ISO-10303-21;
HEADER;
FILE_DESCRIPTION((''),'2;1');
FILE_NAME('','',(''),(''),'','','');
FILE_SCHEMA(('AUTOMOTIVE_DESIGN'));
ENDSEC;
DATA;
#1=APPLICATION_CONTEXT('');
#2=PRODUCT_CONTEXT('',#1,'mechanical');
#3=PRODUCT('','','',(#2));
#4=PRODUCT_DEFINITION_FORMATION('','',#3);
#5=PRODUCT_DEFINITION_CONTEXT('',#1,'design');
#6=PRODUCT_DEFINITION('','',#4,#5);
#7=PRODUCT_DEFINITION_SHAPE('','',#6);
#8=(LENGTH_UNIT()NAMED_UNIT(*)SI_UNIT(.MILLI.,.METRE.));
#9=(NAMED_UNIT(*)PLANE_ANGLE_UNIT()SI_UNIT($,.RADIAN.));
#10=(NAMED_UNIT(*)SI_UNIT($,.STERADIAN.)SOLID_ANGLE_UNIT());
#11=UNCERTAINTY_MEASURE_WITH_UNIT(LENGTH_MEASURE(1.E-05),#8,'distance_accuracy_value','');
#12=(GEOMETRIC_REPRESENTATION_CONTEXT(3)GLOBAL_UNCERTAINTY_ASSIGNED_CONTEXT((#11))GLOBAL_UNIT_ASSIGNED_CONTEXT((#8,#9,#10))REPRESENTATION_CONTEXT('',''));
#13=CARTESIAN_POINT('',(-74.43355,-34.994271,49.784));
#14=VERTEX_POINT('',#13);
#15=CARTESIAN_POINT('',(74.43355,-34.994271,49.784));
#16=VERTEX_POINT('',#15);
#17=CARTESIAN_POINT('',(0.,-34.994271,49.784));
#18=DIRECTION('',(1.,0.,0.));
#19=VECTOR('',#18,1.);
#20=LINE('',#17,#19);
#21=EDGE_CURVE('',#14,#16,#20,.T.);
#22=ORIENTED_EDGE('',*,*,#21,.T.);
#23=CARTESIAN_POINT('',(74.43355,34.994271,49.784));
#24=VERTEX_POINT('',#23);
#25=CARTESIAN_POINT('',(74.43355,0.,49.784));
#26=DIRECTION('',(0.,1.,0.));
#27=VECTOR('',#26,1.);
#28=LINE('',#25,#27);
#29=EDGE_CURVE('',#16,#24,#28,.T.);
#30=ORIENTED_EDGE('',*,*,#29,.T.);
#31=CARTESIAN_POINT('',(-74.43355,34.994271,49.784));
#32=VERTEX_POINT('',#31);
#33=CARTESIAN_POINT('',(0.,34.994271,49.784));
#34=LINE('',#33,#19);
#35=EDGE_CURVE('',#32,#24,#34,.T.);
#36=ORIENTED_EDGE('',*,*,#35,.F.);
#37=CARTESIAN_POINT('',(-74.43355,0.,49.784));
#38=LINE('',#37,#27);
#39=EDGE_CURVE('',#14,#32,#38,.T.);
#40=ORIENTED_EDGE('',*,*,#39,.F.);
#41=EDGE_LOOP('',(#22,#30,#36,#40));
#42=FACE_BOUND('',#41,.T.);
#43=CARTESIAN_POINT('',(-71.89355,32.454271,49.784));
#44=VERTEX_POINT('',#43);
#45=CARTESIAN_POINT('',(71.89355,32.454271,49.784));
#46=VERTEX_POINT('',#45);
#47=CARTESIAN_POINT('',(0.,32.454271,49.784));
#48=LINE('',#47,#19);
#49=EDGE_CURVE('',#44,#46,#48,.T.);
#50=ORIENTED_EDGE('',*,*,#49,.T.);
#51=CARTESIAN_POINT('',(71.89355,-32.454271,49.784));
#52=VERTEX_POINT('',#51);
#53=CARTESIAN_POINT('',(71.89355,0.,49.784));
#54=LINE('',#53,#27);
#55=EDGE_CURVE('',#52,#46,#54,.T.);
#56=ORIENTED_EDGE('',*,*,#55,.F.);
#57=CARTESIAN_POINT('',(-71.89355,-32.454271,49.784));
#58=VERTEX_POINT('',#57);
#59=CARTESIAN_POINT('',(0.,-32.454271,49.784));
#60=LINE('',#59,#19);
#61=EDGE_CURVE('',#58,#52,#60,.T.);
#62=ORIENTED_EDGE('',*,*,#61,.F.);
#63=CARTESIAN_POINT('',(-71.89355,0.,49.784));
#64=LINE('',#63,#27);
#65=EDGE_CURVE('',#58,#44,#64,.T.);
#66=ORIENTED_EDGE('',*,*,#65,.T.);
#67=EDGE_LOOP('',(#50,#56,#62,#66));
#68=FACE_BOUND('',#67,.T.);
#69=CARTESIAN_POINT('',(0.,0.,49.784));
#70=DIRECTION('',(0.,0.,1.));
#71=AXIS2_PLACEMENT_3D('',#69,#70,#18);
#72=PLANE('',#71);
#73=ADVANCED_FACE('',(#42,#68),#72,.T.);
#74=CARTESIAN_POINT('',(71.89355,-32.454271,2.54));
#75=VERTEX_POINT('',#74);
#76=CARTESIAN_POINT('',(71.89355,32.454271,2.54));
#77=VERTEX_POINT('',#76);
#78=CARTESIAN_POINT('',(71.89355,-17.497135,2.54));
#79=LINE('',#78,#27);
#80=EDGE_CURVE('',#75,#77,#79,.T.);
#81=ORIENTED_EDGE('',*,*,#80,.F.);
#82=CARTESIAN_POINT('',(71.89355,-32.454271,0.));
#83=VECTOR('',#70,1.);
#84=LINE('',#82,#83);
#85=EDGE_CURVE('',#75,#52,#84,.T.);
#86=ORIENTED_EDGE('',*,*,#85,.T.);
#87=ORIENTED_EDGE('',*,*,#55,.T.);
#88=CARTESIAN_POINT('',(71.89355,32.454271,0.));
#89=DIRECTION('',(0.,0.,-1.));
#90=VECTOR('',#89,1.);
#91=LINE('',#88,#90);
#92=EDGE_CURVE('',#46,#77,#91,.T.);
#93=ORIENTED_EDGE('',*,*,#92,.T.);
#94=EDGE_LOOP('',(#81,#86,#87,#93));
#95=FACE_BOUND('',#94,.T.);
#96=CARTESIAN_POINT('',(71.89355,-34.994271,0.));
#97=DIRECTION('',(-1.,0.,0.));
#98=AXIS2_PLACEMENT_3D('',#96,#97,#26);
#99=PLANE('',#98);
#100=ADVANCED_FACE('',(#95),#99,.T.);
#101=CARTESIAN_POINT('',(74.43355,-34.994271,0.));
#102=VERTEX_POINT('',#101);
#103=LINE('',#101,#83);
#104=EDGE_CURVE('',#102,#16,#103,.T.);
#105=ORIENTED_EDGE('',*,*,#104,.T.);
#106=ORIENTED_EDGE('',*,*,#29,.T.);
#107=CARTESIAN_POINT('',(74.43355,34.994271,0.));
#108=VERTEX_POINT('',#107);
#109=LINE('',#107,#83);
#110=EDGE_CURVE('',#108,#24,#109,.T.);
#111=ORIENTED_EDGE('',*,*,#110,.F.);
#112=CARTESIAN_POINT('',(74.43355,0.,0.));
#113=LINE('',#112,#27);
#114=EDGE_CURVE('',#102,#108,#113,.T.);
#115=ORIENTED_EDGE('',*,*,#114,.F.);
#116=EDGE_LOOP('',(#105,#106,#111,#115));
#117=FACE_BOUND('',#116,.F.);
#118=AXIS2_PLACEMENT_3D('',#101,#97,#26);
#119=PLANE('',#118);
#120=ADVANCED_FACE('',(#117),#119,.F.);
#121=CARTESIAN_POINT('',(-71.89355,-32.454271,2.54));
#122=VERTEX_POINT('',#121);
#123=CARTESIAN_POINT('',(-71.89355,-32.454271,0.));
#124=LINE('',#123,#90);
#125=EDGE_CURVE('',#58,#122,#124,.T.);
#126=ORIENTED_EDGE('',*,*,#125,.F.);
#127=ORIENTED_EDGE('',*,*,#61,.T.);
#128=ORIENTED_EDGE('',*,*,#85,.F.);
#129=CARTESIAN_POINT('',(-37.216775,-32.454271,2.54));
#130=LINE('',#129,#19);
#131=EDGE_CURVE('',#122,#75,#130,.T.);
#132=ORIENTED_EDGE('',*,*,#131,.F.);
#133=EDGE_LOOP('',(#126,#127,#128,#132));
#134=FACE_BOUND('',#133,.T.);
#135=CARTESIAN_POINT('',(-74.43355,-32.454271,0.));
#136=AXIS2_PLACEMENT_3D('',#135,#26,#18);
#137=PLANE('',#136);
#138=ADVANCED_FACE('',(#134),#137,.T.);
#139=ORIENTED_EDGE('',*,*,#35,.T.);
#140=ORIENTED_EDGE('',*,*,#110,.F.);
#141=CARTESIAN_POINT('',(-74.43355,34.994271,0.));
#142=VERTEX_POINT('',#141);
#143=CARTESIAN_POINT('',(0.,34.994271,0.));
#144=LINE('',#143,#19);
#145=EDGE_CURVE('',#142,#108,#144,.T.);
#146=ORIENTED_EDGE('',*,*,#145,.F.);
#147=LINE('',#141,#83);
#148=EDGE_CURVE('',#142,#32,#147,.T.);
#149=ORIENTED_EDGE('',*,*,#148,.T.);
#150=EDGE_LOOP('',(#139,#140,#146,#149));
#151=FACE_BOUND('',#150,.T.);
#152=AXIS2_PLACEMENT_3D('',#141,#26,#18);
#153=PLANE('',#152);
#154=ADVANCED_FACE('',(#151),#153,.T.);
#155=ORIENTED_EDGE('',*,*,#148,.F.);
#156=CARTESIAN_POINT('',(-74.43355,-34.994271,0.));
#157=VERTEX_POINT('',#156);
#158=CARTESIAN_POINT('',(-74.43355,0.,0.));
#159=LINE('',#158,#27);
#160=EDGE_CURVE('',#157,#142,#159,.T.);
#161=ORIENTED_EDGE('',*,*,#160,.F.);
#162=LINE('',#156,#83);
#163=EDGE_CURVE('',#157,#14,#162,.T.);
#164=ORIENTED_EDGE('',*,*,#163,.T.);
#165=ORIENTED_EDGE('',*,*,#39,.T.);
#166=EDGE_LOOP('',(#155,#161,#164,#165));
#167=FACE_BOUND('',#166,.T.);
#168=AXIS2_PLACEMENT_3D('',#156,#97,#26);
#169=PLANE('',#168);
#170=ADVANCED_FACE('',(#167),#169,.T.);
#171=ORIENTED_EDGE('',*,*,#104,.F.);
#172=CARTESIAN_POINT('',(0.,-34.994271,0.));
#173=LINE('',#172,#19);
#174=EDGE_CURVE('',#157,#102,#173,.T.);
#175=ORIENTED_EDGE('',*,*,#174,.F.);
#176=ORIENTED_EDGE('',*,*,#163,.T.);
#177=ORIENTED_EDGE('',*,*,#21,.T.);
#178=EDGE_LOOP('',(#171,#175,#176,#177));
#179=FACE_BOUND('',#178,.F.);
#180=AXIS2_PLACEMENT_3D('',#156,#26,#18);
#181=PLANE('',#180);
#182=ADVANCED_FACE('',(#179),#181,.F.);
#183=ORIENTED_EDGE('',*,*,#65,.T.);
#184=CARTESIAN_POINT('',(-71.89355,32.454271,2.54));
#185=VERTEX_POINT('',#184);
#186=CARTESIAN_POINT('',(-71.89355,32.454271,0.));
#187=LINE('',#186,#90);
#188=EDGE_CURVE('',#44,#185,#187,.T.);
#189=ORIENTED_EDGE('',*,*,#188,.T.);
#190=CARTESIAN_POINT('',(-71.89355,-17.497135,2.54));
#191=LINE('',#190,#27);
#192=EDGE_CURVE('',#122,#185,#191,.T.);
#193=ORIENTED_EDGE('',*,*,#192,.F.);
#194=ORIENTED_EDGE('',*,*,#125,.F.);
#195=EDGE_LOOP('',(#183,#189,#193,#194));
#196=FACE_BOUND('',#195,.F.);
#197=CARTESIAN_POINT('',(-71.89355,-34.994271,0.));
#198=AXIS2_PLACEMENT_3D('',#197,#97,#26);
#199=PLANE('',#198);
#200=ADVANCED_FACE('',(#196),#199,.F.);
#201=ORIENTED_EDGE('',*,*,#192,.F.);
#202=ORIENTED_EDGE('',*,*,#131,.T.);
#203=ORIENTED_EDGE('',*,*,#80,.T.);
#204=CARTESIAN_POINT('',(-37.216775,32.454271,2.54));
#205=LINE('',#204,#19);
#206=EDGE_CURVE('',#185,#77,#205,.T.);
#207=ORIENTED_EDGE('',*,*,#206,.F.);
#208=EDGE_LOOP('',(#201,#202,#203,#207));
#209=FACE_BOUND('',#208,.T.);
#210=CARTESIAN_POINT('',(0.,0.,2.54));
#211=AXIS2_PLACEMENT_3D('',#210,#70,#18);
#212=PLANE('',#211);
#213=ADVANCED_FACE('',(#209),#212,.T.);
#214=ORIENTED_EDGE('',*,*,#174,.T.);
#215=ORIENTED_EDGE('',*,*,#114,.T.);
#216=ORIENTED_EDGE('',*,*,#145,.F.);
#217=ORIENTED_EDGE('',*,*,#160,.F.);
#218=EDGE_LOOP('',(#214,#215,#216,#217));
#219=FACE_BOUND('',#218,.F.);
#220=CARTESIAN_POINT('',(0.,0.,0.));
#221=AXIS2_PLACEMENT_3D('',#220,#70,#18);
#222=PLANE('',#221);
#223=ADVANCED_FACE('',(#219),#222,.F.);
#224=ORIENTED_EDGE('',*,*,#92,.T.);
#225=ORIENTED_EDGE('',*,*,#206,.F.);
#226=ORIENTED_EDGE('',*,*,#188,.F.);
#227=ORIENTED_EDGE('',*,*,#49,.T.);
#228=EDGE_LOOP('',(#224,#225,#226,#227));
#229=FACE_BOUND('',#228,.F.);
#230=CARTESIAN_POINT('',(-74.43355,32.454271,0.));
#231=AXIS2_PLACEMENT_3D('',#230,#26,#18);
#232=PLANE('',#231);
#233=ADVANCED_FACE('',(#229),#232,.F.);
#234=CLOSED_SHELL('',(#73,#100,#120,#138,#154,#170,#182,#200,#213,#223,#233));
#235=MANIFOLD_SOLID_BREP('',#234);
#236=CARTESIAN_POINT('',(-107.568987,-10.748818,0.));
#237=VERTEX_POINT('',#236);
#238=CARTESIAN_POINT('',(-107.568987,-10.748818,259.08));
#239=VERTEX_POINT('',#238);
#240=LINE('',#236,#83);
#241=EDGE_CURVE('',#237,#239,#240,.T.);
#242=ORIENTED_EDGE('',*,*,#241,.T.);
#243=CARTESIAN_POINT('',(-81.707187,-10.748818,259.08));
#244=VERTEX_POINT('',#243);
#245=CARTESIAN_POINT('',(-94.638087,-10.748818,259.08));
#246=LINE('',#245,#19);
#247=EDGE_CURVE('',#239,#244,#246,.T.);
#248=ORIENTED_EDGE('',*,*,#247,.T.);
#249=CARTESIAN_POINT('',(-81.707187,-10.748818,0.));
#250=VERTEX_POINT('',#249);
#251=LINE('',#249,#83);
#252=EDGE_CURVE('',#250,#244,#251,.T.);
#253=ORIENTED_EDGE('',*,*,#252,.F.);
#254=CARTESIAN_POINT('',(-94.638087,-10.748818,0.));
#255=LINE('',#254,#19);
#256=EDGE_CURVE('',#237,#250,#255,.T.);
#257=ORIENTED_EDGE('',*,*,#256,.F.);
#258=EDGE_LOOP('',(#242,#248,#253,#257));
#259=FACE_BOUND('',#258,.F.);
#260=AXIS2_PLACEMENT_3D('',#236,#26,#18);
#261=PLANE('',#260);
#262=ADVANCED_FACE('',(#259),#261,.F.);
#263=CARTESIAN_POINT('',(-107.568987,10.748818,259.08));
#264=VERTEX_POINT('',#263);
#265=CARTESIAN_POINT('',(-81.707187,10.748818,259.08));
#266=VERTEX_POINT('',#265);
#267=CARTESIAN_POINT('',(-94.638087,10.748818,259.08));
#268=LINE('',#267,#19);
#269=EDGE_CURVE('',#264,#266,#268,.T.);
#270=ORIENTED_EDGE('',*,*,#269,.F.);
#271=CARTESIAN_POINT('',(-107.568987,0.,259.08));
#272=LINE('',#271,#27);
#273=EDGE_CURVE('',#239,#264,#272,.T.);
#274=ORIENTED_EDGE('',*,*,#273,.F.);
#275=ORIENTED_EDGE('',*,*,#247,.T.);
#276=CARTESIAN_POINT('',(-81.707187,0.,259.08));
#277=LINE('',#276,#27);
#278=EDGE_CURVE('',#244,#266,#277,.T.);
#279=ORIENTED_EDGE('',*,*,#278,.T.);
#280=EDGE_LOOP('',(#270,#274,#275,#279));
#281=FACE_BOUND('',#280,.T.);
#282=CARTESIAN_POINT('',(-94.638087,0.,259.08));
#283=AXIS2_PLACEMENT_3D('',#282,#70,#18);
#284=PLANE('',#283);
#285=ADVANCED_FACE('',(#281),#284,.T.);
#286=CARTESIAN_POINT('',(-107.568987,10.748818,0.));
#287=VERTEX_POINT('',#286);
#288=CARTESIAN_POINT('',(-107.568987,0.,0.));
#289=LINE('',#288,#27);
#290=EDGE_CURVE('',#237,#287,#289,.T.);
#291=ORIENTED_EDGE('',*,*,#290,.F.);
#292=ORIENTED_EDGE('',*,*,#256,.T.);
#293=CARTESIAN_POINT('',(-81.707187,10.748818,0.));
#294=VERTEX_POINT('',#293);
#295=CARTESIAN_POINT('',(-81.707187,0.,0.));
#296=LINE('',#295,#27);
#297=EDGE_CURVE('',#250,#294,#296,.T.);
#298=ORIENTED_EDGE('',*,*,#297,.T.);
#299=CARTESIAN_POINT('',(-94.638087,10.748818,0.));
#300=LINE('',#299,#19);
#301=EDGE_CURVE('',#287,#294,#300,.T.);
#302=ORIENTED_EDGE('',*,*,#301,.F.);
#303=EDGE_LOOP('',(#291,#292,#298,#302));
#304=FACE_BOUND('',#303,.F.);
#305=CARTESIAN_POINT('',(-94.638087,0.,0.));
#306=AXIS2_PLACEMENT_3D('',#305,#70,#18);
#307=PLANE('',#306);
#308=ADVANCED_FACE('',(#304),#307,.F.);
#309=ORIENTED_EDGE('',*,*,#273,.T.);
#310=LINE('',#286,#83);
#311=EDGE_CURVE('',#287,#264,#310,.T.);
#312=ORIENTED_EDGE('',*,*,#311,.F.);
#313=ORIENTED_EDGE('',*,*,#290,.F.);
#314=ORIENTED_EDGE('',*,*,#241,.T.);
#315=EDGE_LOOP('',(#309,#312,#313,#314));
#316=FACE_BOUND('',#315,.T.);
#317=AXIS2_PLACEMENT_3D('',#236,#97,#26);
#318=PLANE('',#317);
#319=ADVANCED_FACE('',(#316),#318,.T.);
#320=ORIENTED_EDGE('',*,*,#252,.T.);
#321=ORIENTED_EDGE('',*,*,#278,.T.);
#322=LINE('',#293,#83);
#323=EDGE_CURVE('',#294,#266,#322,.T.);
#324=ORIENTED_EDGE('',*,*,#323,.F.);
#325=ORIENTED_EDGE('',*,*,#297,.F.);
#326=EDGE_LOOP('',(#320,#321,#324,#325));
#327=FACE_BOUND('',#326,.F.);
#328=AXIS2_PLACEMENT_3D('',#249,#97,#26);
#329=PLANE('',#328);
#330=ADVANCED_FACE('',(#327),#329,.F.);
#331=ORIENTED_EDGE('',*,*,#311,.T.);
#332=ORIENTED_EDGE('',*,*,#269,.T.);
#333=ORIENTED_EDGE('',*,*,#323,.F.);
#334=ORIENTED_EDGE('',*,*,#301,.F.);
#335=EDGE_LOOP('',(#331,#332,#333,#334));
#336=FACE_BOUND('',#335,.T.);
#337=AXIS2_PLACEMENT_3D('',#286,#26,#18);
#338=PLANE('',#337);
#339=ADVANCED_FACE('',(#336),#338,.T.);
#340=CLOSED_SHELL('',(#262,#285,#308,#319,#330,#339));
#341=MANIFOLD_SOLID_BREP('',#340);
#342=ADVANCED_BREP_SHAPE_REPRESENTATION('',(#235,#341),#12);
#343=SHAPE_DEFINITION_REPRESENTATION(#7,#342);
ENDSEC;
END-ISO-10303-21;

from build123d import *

# Parameters (mm, degrees)
F0_W     = 148.8671
F0_H     = 69.988542
F1_DEPTH = 49.784
F2_T     = -2.54
F3_W     = 25.8618
F3_H     = 21.497636
F4_DEPTH = 259.08


with BuildPart() as f1:
    # F0 (on Top) → F1 (new body)
    with BuildSketch(Plane.XY):
        Rectangle(F0_W, F0_H)
    extrude(amount=F1_DEPTH)

    # F2
    f2_openings = [f1.faces().sort_by_distance(p)[0] for p in [
        (0, 0, 49.784),
    ]]
    offset(amount=F2_T, openings=f2_openings)


with BuildPart() as f4:
    # F3 (on Top) → F4 (new body)
    with BuildSketch(Plane.XY):
        with Locations((-94.638087, 0)):
            Rectangle(F3_W, F3_H)
    extrude(amount=F4_DEPTH)


solid = Compound([f1.part, f4.part])
